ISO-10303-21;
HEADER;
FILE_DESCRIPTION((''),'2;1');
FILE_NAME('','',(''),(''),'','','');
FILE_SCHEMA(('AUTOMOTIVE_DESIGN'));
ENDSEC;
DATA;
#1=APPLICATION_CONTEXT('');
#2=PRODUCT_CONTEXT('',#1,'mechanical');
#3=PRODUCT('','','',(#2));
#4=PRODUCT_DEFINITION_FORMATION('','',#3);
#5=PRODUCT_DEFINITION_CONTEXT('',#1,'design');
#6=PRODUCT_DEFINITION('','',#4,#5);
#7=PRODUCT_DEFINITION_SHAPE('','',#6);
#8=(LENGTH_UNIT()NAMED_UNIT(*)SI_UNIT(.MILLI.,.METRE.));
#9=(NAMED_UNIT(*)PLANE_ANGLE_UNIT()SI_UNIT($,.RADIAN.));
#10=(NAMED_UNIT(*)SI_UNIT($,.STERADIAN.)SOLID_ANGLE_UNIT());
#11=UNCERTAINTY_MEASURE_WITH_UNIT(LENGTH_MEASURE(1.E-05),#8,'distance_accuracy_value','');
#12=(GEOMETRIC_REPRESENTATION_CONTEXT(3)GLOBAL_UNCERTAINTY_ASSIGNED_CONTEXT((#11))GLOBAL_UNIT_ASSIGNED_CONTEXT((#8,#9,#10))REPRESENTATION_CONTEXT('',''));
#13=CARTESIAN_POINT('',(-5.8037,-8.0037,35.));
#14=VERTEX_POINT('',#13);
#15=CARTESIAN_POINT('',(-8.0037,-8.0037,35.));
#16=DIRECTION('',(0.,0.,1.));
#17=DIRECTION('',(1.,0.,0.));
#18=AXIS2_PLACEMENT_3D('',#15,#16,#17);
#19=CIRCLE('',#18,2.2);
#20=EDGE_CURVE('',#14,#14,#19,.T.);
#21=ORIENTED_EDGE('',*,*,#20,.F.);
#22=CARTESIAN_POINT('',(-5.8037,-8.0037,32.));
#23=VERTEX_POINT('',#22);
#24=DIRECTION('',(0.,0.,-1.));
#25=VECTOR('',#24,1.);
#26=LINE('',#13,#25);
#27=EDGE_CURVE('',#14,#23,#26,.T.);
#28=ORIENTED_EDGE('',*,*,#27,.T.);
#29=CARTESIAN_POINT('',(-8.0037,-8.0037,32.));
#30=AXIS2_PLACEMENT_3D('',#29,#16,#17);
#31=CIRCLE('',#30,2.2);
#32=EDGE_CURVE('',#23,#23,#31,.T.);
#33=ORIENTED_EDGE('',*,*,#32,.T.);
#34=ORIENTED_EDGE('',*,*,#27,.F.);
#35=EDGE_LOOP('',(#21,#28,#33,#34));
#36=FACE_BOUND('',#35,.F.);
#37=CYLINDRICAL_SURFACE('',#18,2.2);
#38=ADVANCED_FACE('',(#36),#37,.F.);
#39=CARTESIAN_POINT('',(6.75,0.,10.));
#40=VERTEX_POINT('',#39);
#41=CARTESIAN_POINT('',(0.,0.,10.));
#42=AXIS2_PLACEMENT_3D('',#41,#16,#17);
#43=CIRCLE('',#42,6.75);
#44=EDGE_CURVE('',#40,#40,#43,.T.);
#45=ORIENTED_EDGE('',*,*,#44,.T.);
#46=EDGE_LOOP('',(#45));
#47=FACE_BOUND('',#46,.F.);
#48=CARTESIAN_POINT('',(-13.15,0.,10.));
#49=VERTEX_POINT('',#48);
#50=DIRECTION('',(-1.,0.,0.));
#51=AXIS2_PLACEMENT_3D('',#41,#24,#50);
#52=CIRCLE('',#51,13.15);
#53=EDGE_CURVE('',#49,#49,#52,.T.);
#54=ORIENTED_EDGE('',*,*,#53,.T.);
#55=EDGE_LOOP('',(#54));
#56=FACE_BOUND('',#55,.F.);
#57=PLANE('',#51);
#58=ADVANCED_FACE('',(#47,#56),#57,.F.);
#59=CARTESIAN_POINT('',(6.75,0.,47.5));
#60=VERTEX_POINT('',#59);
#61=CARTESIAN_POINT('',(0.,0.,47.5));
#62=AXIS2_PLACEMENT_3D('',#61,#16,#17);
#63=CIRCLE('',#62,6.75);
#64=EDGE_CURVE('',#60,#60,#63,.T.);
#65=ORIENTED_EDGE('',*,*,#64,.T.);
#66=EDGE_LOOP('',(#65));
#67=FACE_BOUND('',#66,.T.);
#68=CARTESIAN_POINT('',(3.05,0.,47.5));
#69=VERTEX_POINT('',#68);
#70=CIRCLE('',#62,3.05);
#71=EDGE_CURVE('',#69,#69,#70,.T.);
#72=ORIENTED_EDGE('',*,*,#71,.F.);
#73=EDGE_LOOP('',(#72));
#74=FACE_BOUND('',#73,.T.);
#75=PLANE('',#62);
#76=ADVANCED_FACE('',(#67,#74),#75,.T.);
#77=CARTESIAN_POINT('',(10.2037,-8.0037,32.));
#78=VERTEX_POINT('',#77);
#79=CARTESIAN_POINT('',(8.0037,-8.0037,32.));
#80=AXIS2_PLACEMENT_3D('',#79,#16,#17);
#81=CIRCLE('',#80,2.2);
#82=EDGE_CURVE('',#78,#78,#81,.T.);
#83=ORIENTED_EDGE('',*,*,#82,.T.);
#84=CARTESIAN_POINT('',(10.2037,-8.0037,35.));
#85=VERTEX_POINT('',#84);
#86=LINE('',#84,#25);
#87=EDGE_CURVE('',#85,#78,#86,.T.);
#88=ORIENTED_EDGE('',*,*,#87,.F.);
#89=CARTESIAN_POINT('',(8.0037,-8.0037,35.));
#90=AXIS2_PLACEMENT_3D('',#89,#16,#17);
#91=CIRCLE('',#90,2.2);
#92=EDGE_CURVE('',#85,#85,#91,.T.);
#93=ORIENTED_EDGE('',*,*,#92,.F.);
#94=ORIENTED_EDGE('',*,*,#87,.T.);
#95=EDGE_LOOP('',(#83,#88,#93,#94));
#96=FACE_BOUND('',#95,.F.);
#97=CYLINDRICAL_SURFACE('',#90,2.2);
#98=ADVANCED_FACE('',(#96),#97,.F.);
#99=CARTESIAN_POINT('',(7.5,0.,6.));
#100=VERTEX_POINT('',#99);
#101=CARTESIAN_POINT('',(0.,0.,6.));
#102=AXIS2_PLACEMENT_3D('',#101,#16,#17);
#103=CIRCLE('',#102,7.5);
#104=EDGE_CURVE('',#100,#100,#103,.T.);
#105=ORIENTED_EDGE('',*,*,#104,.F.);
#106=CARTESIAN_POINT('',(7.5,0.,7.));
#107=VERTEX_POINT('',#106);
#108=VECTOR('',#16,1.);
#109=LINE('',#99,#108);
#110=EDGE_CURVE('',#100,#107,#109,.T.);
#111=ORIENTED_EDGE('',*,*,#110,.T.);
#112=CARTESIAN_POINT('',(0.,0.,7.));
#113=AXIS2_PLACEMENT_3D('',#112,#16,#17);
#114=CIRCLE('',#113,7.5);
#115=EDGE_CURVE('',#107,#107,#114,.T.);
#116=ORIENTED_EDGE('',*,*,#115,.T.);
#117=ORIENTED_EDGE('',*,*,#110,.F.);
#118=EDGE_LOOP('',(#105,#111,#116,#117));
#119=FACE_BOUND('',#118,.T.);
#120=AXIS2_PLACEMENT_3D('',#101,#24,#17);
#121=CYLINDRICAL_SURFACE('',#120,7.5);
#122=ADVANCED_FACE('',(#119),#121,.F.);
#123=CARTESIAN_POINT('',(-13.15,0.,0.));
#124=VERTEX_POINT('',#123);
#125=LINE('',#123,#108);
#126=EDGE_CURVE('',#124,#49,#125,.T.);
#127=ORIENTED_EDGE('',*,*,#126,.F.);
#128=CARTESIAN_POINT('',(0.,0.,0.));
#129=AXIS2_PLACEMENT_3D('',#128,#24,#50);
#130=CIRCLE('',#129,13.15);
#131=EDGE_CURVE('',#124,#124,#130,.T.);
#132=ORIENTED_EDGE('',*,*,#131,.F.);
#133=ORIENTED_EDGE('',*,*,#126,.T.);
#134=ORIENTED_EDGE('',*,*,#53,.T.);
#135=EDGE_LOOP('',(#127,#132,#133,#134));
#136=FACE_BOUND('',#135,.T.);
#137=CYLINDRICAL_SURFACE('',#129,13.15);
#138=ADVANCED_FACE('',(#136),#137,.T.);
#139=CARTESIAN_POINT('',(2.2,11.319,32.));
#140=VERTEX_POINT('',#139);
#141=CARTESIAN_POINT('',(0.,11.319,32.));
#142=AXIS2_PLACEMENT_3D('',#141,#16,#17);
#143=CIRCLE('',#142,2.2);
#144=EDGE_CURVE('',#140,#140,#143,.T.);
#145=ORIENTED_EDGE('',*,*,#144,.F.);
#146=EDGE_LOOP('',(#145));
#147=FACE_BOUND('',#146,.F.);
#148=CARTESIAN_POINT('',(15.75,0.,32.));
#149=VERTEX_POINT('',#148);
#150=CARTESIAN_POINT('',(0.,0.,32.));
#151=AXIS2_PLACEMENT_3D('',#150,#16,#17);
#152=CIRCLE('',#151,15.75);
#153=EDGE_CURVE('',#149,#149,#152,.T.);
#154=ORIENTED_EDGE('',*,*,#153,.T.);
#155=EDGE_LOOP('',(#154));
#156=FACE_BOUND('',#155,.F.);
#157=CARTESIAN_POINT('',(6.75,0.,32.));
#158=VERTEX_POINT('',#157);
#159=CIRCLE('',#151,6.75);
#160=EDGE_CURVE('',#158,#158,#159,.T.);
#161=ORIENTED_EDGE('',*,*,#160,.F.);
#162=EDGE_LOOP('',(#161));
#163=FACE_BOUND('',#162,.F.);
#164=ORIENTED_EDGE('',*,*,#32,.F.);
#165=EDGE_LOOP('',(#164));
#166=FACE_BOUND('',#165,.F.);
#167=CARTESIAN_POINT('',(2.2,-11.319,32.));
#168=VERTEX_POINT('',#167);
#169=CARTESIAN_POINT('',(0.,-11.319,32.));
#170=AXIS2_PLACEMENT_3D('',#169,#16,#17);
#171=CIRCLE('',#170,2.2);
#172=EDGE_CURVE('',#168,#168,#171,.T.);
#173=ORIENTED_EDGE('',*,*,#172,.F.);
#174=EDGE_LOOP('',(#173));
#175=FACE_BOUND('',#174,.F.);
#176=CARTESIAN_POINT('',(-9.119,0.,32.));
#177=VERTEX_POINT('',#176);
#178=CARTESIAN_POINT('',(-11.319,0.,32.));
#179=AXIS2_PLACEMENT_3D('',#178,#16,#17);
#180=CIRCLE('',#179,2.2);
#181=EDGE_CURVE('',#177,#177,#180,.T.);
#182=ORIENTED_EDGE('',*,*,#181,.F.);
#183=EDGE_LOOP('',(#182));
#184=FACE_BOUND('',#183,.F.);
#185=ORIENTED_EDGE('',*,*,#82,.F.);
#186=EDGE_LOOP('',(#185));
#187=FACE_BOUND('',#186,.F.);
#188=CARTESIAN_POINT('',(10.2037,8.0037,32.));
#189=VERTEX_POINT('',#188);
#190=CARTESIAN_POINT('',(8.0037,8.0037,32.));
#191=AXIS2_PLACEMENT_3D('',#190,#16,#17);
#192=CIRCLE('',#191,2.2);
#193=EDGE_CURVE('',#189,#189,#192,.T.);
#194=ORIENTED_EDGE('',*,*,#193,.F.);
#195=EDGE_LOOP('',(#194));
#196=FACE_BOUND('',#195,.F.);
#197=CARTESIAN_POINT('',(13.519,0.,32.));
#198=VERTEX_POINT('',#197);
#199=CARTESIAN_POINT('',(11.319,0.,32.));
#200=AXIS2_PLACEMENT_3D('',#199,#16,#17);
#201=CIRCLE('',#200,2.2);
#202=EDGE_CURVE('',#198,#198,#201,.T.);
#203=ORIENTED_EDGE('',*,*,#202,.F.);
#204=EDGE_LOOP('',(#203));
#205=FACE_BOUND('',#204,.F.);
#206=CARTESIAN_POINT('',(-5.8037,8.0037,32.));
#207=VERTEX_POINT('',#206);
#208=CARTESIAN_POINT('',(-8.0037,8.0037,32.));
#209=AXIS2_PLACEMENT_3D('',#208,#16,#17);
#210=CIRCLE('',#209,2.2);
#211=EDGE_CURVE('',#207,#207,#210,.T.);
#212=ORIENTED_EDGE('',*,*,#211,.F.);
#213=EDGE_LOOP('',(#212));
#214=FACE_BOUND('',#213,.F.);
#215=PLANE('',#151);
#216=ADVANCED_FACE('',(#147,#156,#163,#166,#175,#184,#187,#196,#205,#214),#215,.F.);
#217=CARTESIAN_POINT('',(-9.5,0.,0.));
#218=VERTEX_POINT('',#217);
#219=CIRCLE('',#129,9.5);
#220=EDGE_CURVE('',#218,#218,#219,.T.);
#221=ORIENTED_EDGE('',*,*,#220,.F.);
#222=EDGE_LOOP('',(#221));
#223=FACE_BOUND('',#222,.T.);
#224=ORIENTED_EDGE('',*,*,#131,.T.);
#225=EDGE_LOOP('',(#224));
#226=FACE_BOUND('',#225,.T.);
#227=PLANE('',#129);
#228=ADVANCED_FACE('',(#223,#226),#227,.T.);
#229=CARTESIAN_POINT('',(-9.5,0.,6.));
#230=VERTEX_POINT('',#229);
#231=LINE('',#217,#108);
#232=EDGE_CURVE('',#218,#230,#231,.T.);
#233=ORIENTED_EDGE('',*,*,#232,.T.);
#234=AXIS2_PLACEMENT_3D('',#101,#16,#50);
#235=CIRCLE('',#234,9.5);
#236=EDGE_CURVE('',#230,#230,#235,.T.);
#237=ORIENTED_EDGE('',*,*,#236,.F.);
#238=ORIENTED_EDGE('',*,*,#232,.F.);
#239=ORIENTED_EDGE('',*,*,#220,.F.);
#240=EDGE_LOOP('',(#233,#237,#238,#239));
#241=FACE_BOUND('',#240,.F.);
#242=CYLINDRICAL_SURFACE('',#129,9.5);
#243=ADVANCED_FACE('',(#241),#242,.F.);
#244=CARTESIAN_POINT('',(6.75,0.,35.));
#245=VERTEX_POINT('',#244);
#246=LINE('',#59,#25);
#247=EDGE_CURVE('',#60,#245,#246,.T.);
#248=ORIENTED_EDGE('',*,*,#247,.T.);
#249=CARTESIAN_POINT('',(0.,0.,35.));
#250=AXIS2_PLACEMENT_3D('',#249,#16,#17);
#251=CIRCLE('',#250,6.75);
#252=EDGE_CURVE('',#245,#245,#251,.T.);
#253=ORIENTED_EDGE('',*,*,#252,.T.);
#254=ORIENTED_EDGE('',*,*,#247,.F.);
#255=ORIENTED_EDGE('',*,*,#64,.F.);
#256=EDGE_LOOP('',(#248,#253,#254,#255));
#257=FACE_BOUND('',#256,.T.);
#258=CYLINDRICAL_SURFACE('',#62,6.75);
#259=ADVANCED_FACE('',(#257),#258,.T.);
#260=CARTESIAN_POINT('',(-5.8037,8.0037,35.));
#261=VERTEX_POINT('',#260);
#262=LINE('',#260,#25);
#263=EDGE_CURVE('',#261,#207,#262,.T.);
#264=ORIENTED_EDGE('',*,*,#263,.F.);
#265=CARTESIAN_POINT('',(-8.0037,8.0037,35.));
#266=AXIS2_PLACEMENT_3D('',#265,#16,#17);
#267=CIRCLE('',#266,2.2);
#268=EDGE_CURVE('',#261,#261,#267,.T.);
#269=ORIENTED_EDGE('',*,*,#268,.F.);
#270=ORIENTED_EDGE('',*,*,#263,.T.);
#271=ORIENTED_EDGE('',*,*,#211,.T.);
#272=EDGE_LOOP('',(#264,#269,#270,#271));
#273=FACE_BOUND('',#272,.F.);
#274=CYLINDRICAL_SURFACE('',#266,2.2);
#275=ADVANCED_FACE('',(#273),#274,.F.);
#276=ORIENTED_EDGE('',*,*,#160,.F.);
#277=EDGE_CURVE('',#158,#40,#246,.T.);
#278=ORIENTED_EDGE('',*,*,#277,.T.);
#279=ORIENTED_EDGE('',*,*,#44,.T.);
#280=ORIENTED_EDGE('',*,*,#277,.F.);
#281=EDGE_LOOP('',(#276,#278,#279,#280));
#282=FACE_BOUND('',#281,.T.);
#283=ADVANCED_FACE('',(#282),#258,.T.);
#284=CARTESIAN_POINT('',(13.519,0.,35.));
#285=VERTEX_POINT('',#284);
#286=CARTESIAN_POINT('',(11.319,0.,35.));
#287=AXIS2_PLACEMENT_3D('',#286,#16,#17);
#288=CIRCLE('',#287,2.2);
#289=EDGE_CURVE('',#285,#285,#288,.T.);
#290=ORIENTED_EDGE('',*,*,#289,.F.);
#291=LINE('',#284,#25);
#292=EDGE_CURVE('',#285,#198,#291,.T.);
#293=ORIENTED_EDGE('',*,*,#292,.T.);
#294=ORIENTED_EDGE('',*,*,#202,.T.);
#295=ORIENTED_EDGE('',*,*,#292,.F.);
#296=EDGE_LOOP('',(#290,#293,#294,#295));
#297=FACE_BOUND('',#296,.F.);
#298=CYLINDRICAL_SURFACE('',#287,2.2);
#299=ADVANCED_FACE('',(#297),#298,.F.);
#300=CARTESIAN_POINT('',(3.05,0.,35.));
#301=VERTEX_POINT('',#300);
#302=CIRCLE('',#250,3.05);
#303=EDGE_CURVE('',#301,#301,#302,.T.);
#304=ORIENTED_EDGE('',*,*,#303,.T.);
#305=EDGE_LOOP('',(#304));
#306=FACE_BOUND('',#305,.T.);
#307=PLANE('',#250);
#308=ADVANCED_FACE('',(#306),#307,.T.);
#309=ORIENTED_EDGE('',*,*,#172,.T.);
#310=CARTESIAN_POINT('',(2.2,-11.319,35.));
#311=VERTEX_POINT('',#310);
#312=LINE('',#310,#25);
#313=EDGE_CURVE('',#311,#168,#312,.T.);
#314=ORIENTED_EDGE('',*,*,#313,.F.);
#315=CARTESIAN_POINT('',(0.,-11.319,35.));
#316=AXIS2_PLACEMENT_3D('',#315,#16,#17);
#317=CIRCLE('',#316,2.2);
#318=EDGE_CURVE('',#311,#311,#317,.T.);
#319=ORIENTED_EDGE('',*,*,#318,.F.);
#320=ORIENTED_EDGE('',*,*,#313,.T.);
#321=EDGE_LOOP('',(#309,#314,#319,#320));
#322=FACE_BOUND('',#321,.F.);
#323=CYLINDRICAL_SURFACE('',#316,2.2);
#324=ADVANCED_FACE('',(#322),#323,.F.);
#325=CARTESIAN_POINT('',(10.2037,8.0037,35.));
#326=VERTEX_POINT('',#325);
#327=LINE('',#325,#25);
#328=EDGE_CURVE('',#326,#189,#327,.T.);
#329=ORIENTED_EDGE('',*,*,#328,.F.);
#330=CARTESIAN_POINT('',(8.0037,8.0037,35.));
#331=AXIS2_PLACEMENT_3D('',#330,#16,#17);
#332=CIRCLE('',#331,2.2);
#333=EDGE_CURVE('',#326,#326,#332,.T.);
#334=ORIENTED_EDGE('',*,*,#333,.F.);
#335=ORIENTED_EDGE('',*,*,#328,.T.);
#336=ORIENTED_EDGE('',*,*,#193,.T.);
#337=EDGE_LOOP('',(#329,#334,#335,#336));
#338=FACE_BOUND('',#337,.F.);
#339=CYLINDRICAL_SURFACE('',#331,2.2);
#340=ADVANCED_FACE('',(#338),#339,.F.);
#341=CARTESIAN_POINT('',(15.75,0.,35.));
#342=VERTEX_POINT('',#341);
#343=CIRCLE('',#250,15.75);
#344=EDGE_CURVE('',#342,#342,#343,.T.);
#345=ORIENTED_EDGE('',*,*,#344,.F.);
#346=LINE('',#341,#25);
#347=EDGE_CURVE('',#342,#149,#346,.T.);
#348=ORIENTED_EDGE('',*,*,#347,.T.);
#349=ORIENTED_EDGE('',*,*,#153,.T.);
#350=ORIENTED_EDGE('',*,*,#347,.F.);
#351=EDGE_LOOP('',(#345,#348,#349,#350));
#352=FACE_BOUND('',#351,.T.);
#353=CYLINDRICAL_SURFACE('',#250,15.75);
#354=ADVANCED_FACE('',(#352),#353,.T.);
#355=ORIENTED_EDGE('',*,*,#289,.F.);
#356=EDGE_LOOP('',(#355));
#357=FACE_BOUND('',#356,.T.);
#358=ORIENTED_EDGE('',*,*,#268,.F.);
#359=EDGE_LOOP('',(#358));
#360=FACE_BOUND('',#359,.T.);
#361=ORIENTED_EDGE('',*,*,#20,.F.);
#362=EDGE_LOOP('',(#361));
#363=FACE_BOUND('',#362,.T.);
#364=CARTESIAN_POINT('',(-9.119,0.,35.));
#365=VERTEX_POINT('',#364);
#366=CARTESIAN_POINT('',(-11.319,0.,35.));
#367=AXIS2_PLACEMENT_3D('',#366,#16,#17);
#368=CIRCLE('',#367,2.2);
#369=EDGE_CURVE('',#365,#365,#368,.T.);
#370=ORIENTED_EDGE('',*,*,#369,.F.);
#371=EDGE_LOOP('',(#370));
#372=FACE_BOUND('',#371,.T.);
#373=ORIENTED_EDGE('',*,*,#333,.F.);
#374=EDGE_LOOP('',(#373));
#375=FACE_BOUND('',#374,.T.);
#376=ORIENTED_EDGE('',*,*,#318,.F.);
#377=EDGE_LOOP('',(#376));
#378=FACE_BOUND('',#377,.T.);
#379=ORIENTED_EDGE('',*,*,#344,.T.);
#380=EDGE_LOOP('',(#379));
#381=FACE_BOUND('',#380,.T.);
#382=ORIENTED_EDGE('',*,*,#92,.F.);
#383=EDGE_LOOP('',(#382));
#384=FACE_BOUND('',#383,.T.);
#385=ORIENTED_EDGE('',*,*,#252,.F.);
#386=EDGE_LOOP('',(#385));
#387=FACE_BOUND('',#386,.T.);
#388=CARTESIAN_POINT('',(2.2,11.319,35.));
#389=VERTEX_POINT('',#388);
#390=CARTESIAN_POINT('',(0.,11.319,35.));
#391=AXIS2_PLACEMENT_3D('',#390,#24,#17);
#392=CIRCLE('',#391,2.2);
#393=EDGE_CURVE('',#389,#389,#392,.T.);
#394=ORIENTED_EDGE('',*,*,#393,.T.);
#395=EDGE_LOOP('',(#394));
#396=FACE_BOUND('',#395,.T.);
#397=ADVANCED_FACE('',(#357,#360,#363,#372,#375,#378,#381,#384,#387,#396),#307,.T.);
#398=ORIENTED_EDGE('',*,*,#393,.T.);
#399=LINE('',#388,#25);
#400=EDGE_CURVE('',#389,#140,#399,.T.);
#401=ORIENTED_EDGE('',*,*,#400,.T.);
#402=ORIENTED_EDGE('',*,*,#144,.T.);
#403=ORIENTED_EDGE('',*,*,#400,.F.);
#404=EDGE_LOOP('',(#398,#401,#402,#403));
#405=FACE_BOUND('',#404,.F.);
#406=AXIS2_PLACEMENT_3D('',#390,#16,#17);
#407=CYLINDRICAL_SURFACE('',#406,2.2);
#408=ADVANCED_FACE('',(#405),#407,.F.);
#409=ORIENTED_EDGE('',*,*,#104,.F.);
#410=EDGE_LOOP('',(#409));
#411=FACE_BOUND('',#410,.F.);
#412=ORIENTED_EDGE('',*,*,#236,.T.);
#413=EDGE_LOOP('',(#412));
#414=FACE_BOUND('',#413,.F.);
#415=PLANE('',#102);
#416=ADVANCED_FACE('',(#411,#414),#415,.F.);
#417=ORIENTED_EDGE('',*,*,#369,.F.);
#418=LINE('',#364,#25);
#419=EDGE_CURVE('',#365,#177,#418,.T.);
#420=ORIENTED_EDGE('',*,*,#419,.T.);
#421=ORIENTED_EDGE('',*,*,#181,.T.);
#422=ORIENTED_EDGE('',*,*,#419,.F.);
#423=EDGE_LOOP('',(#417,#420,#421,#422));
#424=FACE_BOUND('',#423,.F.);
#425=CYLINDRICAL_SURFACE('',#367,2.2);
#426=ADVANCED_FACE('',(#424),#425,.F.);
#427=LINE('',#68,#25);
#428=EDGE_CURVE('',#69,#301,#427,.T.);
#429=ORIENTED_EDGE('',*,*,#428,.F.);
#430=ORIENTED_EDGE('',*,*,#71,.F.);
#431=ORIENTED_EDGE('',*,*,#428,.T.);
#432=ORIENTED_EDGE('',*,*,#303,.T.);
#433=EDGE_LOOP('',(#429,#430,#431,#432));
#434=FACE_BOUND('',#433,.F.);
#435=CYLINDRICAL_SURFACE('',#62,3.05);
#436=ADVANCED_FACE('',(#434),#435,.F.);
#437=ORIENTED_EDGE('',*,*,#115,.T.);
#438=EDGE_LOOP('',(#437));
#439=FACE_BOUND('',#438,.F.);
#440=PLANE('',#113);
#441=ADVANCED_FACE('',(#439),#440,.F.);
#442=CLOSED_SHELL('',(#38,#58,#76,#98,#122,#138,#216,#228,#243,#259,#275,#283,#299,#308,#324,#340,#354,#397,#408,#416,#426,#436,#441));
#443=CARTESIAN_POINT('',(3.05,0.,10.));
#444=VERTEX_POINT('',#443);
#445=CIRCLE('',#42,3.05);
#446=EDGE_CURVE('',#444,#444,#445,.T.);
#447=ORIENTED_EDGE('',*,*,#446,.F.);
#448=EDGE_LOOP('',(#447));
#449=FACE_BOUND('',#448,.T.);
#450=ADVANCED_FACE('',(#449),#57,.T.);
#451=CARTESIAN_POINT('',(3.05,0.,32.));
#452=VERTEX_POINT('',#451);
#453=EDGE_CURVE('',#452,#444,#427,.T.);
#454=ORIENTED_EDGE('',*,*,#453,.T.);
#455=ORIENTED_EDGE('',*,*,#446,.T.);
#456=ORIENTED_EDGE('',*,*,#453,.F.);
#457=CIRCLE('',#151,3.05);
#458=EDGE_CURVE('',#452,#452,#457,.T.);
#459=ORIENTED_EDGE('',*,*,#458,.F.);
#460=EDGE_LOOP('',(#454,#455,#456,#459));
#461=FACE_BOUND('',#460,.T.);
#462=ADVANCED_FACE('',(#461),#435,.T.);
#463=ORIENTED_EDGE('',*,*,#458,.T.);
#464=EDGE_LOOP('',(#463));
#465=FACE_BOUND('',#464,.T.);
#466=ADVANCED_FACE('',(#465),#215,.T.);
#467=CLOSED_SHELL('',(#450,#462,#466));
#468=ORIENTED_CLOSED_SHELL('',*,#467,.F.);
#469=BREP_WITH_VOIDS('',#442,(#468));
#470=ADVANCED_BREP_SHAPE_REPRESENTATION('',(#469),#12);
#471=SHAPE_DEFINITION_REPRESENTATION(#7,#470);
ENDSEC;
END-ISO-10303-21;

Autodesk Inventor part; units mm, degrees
ref_plane "YZ Plane" through (0, 0, 0) normal (1, 0, 0) x (0, 1, 0)
sketch "Эскиз1" plane through (0, 0, 0) normal (0, 0, 1) x (1, 0, 0)
  circle A0 centre (0, 0) radius 6.75
  circle A1 centre (0, 0) radius 3.05
  dimension "d0" = 13.5
  dimension "d1" = 6.1
ref_plane "РабПлоскость1" through (0, 0, 35) normal (0, 0, 1) x (1, 0, 0)
sketch "Эскиз2" plane through (0, 0, 35) normal (0, 0, 1) x (1, 0, 0)
  circle A0 centre (0, 0) radius 15.75
  dimension "d5" = 31.5
extrude "Выдавливание2" add sketch "Эскиз2" against normal blind 3
sketch "Эскиз3" plane through (0, 0, 35) normal (0, 0, 1) x (1, 0, 0)
  line L0 (0, 0) -> (0, 11.319)
  line L1 (0, 0) -> (11.319, 0) construction
  circle A0 centre (0, 11.319) radius 2.2
  circle A1 centre (0, 0) radius 1.4142
  circle A2 centre (-8.0037, 8.0037) radius 2.2
  circle A3 centre (-11.319, 0) radius 2.2
  circle A4 centre (-8.0037, -8.0037) radius 2.2
  circle A5 centre (0, -11.319) radius 2.2
  circle A6 centre (8.0037, -8.0037) radius 2.2
  circle A7 centre (11.319, 0) radius 2.2
  circle A8 centre (8.0037, 8.0037) radius 2.2
  dimension "d8" = 11.319
  dimension "d9" = 90
  dimension "d10" = 4.4
  dimension "d13" = 360
extrude "Выдавливание3" cut sketch "Эскиз3" against normal blind 3 contours A0 | A2 | A3 | A4 | A5 | A6 | A7 | A8
ref_plane "РабПлоскость4" through (0, 0, 0) normal (0, 0, -1) x (-1, 0, 0)
sketch "Эскиз4" plane through (0, 0, 0) normal (0, 0, -1) x (-1, 0, 0)
  circle A0 centre (0, 0) radius 13.15
  circle A1 centre (0, 0) radius 9.5
  dimension "d17" = 26.3
  dimension "d18" = 19
extrude "Выдавливание4" add sketch "Эскиз4" against normal blind 10
ref_plane "РабПлоскость2" through (0, 0, 7) normal (0, 0, 1) x (1, 0, 0)
ref_plane "РабПлоскость3" through (0, 0, 47.5) normal (0, 0, 1) x (1, 0, 0)
sketch "Эскиз6" plane through (0, 0, 47.5) normal (0, 0, 1) x (1, 0, 0)
  circle A0 centre (0, 0) radius 6.75
  circle A1 centre (0, 0) radius 3.05
  dimension "d28" = 13.5
  dimension "d29" = 6.1
ref_plane "РабПлоскость5" through (0, 0, 6) normal (0, 0, 1) x (1, 0, 0)
sketch "Эскиз7" plane through (0, 0, 6) normal (0, 0, 1) x (1, 0, 0)
  circle A0 centre (0, 0) radius 7.5
  circle A1 centre (0, 0) radius 9.5
  dimension "d31" = 15
  dimension "d32" = 19
extrude "Выдавливание7" add sketch "Эскиз7" along normal blind 4 contours A0 | A1
extrude "Выдавливание8" cut sketch "Эскиз7" along normal blind 1 contours A0
extrude "Выдавливание9" add sketch "Эскиз6" against normal blind 38.5
properties part number "Затычка для Косозубки"
